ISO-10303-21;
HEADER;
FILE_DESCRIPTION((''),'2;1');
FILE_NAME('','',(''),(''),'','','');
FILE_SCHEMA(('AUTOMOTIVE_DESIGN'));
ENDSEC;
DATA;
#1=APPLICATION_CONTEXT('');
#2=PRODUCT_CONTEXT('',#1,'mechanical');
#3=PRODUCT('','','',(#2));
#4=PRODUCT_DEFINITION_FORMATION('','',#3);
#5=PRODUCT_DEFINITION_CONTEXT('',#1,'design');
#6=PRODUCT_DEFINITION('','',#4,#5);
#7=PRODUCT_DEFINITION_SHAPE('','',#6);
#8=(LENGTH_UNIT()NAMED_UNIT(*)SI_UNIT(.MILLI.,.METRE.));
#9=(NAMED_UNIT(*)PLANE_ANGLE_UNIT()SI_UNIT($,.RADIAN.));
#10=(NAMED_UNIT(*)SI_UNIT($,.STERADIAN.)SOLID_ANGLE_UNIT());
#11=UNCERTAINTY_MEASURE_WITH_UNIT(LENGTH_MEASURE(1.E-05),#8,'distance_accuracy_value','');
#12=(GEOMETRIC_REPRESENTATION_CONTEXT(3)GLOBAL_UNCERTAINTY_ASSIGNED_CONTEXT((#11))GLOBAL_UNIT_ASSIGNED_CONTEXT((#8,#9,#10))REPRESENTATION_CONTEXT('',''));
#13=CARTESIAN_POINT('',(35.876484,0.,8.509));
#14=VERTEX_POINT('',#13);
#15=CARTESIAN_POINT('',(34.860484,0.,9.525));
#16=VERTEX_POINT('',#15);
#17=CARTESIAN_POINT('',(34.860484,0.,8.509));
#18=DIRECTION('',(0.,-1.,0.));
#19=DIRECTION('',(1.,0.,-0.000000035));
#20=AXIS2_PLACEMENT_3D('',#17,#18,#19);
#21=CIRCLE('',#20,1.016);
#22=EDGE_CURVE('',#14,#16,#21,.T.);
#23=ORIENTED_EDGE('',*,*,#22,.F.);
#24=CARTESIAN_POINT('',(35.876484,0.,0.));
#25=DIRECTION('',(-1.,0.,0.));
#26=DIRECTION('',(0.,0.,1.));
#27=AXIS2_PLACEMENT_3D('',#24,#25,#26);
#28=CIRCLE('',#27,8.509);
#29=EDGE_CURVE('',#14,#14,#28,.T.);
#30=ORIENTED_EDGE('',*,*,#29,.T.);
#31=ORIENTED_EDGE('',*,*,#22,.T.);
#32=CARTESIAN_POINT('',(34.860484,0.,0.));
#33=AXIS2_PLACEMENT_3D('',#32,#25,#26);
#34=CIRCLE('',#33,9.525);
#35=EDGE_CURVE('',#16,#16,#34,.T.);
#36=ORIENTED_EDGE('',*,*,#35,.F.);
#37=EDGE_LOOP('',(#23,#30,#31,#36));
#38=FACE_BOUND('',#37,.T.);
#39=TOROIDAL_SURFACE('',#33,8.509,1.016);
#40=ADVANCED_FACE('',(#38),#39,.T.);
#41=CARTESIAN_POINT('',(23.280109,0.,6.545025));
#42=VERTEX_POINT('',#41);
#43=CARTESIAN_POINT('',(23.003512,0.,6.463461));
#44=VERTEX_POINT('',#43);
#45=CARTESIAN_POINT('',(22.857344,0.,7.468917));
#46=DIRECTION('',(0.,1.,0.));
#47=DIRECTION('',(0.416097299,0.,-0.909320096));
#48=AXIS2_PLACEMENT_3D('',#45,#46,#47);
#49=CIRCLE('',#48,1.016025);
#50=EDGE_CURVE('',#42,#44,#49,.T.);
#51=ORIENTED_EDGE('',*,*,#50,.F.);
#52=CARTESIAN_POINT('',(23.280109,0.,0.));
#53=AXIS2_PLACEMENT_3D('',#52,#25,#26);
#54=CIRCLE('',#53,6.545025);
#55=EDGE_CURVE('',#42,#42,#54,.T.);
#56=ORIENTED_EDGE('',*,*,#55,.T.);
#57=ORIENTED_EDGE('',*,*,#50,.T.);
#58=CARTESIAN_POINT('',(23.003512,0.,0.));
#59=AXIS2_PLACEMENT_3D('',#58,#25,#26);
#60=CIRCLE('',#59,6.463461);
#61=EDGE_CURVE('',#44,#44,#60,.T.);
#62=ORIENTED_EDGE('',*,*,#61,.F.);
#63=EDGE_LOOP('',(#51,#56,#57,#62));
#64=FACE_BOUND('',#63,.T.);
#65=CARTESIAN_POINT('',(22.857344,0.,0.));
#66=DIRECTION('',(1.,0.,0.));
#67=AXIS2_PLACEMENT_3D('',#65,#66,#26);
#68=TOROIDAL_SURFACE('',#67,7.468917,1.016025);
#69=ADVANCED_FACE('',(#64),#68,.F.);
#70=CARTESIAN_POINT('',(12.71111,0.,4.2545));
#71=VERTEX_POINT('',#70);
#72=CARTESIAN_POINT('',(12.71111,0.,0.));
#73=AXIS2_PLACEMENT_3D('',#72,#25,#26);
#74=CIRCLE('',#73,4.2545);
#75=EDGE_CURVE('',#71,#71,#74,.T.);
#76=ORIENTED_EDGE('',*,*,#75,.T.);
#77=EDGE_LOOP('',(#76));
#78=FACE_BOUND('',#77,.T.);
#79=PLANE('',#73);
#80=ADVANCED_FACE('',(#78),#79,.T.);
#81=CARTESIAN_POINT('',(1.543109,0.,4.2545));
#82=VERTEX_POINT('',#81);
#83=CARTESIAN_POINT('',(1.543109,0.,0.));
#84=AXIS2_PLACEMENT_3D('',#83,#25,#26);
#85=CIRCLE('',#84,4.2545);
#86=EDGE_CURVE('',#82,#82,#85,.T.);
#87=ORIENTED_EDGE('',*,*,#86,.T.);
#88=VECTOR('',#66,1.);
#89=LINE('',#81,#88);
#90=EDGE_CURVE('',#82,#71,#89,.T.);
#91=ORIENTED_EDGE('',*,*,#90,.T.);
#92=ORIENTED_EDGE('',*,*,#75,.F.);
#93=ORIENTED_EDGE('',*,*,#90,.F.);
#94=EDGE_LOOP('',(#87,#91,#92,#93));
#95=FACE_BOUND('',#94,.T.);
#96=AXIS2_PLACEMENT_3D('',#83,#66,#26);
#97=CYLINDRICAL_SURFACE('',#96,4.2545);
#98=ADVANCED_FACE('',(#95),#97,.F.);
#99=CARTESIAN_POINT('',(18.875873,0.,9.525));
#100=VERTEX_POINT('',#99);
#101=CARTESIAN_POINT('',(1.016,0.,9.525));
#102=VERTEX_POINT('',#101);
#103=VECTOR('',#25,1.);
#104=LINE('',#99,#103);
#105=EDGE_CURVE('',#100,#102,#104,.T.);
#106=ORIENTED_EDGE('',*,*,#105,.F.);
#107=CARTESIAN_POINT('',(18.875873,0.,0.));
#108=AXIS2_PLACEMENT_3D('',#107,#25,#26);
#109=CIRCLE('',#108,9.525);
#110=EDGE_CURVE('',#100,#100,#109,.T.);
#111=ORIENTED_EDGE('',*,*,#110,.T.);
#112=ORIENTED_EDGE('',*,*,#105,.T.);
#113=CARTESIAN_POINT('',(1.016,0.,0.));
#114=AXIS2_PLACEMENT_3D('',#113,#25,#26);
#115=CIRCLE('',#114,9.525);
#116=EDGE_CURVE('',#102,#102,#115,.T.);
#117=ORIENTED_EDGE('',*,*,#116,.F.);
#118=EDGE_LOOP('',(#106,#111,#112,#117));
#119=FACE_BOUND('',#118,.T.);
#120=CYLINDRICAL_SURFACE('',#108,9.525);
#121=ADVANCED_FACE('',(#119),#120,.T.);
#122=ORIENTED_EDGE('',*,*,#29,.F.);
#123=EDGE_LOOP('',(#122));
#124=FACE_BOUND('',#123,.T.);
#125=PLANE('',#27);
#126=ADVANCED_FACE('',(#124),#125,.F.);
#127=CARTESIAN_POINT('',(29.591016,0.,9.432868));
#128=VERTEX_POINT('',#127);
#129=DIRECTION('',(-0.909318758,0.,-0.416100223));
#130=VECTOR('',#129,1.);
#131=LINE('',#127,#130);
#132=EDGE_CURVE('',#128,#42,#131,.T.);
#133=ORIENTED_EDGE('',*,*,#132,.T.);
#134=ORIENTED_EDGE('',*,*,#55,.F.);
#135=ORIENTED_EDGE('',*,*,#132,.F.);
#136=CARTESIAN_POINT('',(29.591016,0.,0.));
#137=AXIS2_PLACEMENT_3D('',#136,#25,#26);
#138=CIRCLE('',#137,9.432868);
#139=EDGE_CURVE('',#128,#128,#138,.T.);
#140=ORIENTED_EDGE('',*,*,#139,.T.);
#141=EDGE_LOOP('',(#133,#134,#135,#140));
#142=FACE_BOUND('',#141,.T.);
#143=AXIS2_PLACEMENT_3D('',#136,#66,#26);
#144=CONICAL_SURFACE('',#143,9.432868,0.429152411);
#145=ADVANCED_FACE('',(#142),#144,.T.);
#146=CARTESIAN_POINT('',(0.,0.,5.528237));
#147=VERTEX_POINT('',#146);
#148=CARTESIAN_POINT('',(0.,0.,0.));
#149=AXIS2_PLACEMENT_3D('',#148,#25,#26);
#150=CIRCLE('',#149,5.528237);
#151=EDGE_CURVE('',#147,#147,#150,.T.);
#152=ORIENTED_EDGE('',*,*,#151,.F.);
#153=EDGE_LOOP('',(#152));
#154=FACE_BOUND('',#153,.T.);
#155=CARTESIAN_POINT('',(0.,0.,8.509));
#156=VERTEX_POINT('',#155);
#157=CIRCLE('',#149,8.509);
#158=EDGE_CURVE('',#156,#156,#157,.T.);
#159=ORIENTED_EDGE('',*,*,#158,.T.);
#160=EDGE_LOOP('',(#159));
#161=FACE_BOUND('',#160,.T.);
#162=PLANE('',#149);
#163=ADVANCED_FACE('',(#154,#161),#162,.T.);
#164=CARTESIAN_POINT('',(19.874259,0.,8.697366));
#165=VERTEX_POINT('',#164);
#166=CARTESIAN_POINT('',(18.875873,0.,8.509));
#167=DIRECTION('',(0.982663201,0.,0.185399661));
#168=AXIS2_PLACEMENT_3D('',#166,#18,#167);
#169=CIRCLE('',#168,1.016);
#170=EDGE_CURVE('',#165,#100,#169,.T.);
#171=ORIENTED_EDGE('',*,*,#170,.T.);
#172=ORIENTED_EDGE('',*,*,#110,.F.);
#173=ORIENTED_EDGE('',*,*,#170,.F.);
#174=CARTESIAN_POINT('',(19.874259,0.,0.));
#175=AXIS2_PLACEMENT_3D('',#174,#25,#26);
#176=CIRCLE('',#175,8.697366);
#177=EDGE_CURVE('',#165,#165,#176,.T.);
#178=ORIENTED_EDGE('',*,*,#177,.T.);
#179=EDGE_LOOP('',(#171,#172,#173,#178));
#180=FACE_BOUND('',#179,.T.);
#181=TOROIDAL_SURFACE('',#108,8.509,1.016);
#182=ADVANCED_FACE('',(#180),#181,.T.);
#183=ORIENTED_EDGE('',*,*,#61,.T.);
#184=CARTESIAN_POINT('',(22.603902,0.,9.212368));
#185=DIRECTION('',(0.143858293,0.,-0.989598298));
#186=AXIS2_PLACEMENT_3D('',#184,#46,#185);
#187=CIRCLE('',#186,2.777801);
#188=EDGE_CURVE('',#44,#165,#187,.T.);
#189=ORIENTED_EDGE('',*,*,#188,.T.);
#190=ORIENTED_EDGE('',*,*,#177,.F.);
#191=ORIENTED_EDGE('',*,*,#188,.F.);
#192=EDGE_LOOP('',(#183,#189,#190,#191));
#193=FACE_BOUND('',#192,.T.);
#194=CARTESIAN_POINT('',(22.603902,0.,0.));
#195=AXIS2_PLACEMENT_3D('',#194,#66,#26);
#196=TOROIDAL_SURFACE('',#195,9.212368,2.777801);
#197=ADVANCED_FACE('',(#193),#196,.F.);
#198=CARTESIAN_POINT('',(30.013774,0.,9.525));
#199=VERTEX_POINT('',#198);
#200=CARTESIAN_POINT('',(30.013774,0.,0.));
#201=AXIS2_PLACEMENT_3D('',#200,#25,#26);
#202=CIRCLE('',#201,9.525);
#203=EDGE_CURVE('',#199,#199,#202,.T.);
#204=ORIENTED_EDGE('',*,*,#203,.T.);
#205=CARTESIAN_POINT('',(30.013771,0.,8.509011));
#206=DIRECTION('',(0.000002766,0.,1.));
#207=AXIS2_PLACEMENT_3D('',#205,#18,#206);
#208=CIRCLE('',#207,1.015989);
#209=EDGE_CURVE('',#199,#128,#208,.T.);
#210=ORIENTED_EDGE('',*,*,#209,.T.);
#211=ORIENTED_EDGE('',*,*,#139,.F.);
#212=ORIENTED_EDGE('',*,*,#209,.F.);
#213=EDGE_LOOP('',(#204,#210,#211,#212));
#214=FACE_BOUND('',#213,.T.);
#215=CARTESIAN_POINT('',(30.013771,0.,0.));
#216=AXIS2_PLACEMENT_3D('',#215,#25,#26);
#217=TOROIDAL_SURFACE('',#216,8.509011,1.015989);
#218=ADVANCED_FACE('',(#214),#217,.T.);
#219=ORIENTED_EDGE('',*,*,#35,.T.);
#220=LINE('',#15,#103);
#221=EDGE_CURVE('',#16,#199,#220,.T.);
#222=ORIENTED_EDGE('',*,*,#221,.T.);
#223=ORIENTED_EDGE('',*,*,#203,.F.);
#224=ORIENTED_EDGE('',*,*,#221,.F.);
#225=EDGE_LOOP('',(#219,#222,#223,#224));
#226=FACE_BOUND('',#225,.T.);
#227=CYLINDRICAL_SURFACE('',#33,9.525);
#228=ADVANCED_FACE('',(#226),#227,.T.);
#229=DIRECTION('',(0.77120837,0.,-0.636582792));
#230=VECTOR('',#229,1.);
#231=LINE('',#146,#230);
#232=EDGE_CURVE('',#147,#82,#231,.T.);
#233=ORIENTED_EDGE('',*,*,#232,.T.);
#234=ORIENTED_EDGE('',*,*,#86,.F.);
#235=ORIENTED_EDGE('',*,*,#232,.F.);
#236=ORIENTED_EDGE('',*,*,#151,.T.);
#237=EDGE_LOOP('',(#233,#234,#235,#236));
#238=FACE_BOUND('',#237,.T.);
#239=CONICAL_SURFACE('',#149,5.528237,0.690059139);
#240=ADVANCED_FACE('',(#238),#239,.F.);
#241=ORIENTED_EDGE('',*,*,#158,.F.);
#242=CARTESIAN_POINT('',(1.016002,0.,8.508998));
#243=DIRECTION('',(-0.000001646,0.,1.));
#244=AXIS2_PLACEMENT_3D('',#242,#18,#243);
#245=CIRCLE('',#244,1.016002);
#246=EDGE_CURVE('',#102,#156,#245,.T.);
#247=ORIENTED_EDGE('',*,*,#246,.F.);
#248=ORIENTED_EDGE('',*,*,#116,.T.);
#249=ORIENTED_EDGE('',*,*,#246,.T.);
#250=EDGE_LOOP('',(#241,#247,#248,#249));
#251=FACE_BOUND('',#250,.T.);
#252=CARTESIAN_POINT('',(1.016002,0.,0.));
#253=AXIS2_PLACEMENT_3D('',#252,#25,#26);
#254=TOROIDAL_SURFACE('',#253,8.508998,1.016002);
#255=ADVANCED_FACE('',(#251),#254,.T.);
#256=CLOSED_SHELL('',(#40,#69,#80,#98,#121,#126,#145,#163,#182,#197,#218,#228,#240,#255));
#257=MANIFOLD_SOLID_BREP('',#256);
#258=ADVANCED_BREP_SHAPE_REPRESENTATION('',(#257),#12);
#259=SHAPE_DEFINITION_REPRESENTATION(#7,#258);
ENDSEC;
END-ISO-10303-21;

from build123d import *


with BuildPart() as f1:
    # F0 (on Front) → F1 (revolve)
    with BuildSketch(Plane.XZ):
        with BuildLine():
            Line((18.875873, 9.525), (1.016, 9.525))
            ThreePointArc((1.016, 9.525), (0.29758, 9.22742), (0, 8.509))
            Line((0, 8.509), (0, 5.528237))
            Line((0, 5.528237), (1.543109, 4.2545))
            Line((1.543109, 4.2545), (12.71111, 4.2545))
            Line((12.71111, 4.2545), (12.71111, 0))
            Line((12.71111, 0), (35.876484, 0))
            Line((35.876484, 0), (35.876484, 8.509))
            ThreePointArc((35.876484, 8.509), (35.578905, 9.22742), (34.860484, 9.525))
            Line((34.860484, 9.525), (30.013774, 9.525))
            ThreePointArc((30.013774, 9.525), (29.797433, 9.5017), (29.591016, 9.432868))
            Line((29.591016, 9.432868), (23.280109, 6.545025))
            ThreePointArc((23.280109, 6.545025), (23.144719, 6.49438), (23.003512, 6.463461))
            ThreePointArc((23.003512, 6.463461), (20.989948, 6.951543), (19.874259, 8.697366))
            ThreePointArc((19.874259, 8.697366), (19.524285, 9.291188), (18.875873, 9.525))
        make_face()
    revolve(axis=Axis((24.293797, 0, 0), (-1, 0, 0)))


solid = f1.part
